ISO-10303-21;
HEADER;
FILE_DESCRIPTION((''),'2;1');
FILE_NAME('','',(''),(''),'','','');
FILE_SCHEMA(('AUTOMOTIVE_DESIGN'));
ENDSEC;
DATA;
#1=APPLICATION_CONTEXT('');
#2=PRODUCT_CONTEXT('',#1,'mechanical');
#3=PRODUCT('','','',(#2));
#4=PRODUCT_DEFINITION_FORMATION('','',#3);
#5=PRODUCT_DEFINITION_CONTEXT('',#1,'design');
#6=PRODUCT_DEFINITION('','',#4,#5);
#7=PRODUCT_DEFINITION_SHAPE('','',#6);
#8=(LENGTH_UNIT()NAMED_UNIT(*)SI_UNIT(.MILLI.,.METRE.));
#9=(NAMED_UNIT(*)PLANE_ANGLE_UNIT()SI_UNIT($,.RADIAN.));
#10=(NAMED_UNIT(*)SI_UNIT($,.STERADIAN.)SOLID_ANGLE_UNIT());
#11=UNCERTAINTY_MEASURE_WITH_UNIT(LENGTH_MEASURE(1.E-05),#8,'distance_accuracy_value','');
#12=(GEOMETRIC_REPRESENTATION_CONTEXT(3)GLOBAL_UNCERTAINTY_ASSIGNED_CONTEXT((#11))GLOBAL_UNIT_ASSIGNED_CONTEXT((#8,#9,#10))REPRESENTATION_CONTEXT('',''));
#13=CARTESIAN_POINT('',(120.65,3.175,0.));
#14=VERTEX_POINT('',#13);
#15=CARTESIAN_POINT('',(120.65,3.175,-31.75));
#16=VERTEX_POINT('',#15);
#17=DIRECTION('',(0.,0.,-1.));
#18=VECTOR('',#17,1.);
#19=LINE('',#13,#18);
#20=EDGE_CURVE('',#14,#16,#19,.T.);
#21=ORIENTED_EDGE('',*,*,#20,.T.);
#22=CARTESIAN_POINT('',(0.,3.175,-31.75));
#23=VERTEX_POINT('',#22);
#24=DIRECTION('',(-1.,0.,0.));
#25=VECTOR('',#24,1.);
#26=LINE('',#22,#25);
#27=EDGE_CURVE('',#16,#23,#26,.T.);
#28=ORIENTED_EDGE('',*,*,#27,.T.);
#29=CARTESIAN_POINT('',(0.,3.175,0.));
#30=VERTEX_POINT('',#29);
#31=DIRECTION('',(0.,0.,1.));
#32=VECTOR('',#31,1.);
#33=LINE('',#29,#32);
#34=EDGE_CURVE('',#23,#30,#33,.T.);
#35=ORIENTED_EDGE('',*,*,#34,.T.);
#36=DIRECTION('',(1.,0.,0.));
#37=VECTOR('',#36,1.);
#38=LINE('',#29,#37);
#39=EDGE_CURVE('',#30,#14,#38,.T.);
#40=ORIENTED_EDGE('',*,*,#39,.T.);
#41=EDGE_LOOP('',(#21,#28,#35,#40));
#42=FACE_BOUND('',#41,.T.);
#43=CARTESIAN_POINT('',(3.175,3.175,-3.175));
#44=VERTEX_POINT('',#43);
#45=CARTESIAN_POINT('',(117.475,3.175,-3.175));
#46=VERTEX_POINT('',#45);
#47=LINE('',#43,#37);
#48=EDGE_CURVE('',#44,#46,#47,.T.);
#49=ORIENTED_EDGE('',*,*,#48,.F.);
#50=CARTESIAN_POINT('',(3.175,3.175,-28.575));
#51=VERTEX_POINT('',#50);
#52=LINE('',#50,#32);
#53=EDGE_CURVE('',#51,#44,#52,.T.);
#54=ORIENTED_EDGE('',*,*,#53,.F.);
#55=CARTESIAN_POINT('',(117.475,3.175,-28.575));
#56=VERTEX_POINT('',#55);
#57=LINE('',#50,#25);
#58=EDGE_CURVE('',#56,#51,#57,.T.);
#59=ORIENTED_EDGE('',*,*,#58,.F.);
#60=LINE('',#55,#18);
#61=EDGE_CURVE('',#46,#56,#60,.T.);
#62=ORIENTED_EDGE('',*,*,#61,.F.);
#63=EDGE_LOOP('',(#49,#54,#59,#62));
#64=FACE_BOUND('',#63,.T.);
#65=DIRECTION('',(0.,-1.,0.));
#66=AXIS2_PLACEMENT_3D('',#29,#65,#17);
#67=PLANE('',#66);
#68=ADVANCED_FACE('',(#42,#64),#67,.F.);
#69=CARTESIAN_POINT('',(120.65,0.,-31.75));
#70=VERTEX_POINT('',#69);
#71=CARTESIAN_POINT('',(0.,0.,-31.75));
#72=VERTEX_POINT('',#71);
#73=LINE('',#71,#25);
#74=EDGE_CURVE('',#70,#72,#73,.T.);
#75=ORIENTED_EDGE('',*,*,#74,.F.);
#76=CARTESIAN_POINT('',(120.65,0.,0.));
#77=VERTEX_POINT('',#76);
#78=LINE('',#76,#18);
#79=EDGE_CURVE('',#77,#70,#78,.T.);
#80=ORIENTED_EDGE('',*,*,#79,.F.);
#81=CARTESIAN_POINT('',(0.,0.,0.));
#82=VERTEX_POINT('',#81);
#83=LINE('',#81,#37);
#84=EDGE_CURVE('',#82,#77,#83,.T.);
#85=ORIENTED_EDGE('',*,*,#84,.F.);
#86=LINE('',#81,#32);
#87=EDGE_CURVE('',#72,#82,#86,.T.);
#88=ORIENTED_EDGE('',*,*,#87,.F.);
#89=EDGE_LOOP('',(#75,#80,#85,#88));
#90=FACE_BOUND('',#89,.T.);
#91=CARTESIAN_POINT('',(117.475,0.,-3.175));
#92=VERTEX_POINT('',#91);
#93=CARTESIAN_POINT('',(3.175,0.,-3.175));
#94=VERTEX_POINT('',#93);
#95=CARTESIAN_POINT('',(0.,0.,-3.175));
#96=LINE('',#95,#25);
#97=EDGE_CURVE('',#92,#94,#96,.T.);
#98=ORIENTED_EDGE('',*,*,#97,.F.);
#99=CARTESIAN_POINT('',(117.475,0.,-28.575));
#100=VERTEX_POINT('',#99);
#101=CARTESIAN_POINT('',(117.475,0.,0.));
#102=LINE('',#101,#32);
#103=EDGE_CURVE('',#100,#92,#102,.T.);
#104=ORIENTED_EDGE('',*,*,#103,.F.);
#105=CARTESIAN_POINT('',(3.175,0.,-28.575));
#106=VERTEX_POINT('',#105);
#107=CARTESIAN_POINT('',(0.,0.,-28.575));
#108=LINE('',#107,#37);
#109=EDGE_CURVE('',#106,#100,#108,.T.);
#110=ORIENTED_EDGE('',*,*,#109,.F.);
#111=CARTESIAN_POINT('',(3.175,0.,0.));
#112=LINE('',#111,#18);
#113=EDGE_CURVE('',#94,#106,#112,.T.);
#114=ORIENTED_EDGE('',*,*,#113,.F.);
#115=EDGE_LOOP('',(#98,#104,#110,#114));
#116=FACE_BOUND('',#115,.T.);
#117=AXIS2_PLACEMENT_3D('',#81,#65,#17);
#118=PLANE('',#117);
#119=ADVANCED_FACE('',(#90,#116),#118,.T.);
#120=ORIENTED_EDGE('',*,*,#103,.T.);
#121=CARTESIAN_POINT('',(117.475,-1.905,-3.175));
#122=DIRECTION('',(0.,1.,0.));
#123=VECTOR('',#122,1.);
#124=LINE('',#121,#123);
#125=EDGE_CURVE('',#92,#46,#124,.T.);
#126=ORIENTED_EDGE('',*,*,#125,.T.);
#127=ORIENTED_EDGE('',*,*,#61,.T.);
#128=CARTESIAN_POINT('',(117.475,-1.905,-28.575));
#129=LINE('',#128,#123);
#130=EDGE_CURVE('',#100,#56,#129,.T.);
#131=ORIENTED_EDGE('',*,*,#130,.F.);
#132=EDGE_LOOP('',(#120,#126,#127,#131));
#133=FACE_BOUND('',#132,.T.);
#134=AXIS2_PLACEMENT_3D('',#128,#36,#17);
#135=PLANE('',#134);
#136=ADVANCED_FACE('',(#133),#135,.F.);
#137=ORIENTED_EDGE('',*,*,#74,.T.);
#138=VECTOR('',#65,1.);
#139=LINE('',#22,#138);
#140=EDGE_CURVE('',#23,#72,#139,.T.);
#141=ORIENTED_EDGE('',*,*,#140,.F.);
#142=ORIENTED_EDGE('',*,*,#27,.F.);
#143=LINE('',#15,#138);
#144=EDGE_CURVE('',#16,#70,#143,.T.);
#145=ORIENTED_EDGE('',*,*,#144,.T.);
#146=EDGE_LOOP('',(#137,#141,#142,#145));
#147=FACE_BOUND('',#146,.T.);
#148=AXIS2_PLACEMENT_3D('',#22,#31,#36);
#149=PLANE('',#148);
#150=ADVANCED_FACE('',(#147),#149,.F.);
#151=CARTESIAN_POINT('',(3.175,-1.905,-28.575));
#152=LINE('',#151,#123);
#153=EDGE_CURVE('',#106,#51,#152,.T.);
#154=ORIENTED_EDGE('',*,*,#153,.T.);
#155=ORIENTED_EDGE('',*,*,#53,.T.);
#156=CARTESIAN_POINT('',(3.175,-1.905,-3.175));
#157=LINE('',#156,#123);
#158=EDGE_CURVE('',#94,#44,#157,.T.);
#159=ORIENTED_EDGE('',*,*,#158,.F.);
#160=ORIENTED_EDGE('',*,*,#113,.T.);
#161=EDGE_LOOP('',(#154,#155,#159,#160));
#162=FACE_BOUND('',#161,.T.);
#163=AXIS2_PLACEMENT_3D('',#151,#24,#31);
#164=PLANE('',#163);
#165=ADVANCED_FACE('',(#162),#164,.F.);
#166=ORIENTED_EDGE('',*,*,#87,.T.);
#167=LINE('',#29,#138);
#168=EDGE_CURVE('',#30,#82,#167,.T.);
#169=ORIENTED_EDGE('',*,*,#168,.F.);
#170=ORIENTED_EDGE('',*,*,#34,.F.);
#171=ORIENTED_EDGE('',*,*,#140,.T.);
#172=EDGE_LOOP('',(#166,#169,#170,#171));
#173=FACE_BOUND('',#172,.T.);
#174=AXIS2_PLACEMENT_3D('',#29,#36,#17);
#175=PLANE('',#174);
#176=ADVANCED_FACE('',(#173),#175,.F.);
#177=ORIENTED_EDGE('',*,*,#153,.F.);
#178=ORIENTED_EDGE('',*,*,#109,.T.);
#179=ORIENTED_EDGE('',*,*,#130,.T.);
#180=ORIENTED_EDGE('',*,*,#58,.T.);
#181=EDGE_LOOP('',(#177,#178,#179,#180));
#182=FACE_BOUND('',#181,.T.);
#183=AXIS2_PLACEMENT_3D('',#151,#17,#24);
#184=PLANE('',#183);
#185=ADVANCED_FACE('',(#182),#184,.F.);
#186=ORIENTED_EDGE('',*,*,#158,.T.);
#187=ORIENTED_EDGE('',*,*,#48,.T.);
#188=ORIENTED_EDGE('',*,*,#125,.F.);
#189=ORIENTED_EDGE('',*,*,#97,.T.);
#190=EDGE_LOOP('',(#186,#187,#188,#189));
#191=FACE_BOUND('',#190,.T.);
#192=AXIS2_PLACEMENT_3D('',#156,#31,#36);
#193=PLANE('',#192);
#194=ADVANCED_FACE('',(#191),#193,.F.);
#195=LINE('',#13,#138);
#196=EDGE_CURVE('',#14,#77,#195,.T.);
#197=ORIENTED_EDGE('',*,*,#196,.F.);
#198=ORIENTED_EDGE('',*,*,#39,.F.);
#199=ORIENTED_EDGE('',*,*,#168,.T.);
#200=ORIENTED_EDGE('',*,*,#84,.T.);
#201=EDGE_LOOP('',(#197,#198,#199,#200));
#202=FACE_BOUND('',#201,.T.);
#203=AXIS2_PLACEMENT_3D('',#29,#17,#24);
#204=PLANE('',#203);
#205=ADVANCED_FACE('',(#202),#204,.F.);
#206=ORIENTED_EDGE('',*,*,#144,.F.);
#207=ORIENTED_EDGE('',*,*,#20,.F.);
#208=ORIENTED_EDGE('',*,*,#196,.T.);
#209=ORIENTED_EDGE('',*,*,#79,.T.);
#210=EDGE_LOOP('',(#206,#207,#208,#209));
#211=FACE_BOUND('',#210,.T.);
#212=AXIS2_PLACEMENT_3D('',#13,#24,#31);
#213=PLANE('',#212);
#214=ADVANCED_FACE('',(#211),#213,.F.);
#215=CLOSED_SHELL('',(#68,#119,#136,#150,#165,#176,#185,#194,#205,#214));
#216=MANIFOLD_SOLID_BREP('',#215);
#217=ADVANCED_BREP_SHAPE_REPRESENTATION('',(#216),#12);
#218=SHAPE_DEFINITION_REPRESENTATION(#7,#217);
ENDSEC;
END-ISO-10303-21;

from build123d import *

# Parameters (mm, degrees)
SKETCH1_W           = 120.65
SKETCH1_H           = 31.75
BOSS_EXTRUDE1_DEPTH = 3.175
SKETCH4_W           = 114.3
SKETCH4_H           = 25.4
CUT_EXTRUDE1_DEPTH  = 5.08


with BuildPart() as part:
    # Sketch1 → Boss-Extrude1 (new body)
    with BuildSketch(Plane(origin=(0, 0, 0), x_dir=(1, 0, 0), z_dir=(0, 1, 0))):
        with Locations((60.325, 15.875)):
            Rectangle(SKETCH1_W, SKETCH1_H)
    extrude(amount=BOSS_EXTRUDE1_DEPTH)

    # Sketch4 → Cut-Extrude1 (cut)
    with BuildSketch(Plane(origin=(0, 3.175, 0), x_dir=(1, 0, 0), z_dir=(0, 1, 0))):
        with Locations((60.325, 15.875)):
            Rectangle(SKETCH4_W, SKETCH4_H)
    extrude(amount=-CUT_EXTRUDE1_DEPTH, mode=Mode.SUBTRACT)


solid = part.part
